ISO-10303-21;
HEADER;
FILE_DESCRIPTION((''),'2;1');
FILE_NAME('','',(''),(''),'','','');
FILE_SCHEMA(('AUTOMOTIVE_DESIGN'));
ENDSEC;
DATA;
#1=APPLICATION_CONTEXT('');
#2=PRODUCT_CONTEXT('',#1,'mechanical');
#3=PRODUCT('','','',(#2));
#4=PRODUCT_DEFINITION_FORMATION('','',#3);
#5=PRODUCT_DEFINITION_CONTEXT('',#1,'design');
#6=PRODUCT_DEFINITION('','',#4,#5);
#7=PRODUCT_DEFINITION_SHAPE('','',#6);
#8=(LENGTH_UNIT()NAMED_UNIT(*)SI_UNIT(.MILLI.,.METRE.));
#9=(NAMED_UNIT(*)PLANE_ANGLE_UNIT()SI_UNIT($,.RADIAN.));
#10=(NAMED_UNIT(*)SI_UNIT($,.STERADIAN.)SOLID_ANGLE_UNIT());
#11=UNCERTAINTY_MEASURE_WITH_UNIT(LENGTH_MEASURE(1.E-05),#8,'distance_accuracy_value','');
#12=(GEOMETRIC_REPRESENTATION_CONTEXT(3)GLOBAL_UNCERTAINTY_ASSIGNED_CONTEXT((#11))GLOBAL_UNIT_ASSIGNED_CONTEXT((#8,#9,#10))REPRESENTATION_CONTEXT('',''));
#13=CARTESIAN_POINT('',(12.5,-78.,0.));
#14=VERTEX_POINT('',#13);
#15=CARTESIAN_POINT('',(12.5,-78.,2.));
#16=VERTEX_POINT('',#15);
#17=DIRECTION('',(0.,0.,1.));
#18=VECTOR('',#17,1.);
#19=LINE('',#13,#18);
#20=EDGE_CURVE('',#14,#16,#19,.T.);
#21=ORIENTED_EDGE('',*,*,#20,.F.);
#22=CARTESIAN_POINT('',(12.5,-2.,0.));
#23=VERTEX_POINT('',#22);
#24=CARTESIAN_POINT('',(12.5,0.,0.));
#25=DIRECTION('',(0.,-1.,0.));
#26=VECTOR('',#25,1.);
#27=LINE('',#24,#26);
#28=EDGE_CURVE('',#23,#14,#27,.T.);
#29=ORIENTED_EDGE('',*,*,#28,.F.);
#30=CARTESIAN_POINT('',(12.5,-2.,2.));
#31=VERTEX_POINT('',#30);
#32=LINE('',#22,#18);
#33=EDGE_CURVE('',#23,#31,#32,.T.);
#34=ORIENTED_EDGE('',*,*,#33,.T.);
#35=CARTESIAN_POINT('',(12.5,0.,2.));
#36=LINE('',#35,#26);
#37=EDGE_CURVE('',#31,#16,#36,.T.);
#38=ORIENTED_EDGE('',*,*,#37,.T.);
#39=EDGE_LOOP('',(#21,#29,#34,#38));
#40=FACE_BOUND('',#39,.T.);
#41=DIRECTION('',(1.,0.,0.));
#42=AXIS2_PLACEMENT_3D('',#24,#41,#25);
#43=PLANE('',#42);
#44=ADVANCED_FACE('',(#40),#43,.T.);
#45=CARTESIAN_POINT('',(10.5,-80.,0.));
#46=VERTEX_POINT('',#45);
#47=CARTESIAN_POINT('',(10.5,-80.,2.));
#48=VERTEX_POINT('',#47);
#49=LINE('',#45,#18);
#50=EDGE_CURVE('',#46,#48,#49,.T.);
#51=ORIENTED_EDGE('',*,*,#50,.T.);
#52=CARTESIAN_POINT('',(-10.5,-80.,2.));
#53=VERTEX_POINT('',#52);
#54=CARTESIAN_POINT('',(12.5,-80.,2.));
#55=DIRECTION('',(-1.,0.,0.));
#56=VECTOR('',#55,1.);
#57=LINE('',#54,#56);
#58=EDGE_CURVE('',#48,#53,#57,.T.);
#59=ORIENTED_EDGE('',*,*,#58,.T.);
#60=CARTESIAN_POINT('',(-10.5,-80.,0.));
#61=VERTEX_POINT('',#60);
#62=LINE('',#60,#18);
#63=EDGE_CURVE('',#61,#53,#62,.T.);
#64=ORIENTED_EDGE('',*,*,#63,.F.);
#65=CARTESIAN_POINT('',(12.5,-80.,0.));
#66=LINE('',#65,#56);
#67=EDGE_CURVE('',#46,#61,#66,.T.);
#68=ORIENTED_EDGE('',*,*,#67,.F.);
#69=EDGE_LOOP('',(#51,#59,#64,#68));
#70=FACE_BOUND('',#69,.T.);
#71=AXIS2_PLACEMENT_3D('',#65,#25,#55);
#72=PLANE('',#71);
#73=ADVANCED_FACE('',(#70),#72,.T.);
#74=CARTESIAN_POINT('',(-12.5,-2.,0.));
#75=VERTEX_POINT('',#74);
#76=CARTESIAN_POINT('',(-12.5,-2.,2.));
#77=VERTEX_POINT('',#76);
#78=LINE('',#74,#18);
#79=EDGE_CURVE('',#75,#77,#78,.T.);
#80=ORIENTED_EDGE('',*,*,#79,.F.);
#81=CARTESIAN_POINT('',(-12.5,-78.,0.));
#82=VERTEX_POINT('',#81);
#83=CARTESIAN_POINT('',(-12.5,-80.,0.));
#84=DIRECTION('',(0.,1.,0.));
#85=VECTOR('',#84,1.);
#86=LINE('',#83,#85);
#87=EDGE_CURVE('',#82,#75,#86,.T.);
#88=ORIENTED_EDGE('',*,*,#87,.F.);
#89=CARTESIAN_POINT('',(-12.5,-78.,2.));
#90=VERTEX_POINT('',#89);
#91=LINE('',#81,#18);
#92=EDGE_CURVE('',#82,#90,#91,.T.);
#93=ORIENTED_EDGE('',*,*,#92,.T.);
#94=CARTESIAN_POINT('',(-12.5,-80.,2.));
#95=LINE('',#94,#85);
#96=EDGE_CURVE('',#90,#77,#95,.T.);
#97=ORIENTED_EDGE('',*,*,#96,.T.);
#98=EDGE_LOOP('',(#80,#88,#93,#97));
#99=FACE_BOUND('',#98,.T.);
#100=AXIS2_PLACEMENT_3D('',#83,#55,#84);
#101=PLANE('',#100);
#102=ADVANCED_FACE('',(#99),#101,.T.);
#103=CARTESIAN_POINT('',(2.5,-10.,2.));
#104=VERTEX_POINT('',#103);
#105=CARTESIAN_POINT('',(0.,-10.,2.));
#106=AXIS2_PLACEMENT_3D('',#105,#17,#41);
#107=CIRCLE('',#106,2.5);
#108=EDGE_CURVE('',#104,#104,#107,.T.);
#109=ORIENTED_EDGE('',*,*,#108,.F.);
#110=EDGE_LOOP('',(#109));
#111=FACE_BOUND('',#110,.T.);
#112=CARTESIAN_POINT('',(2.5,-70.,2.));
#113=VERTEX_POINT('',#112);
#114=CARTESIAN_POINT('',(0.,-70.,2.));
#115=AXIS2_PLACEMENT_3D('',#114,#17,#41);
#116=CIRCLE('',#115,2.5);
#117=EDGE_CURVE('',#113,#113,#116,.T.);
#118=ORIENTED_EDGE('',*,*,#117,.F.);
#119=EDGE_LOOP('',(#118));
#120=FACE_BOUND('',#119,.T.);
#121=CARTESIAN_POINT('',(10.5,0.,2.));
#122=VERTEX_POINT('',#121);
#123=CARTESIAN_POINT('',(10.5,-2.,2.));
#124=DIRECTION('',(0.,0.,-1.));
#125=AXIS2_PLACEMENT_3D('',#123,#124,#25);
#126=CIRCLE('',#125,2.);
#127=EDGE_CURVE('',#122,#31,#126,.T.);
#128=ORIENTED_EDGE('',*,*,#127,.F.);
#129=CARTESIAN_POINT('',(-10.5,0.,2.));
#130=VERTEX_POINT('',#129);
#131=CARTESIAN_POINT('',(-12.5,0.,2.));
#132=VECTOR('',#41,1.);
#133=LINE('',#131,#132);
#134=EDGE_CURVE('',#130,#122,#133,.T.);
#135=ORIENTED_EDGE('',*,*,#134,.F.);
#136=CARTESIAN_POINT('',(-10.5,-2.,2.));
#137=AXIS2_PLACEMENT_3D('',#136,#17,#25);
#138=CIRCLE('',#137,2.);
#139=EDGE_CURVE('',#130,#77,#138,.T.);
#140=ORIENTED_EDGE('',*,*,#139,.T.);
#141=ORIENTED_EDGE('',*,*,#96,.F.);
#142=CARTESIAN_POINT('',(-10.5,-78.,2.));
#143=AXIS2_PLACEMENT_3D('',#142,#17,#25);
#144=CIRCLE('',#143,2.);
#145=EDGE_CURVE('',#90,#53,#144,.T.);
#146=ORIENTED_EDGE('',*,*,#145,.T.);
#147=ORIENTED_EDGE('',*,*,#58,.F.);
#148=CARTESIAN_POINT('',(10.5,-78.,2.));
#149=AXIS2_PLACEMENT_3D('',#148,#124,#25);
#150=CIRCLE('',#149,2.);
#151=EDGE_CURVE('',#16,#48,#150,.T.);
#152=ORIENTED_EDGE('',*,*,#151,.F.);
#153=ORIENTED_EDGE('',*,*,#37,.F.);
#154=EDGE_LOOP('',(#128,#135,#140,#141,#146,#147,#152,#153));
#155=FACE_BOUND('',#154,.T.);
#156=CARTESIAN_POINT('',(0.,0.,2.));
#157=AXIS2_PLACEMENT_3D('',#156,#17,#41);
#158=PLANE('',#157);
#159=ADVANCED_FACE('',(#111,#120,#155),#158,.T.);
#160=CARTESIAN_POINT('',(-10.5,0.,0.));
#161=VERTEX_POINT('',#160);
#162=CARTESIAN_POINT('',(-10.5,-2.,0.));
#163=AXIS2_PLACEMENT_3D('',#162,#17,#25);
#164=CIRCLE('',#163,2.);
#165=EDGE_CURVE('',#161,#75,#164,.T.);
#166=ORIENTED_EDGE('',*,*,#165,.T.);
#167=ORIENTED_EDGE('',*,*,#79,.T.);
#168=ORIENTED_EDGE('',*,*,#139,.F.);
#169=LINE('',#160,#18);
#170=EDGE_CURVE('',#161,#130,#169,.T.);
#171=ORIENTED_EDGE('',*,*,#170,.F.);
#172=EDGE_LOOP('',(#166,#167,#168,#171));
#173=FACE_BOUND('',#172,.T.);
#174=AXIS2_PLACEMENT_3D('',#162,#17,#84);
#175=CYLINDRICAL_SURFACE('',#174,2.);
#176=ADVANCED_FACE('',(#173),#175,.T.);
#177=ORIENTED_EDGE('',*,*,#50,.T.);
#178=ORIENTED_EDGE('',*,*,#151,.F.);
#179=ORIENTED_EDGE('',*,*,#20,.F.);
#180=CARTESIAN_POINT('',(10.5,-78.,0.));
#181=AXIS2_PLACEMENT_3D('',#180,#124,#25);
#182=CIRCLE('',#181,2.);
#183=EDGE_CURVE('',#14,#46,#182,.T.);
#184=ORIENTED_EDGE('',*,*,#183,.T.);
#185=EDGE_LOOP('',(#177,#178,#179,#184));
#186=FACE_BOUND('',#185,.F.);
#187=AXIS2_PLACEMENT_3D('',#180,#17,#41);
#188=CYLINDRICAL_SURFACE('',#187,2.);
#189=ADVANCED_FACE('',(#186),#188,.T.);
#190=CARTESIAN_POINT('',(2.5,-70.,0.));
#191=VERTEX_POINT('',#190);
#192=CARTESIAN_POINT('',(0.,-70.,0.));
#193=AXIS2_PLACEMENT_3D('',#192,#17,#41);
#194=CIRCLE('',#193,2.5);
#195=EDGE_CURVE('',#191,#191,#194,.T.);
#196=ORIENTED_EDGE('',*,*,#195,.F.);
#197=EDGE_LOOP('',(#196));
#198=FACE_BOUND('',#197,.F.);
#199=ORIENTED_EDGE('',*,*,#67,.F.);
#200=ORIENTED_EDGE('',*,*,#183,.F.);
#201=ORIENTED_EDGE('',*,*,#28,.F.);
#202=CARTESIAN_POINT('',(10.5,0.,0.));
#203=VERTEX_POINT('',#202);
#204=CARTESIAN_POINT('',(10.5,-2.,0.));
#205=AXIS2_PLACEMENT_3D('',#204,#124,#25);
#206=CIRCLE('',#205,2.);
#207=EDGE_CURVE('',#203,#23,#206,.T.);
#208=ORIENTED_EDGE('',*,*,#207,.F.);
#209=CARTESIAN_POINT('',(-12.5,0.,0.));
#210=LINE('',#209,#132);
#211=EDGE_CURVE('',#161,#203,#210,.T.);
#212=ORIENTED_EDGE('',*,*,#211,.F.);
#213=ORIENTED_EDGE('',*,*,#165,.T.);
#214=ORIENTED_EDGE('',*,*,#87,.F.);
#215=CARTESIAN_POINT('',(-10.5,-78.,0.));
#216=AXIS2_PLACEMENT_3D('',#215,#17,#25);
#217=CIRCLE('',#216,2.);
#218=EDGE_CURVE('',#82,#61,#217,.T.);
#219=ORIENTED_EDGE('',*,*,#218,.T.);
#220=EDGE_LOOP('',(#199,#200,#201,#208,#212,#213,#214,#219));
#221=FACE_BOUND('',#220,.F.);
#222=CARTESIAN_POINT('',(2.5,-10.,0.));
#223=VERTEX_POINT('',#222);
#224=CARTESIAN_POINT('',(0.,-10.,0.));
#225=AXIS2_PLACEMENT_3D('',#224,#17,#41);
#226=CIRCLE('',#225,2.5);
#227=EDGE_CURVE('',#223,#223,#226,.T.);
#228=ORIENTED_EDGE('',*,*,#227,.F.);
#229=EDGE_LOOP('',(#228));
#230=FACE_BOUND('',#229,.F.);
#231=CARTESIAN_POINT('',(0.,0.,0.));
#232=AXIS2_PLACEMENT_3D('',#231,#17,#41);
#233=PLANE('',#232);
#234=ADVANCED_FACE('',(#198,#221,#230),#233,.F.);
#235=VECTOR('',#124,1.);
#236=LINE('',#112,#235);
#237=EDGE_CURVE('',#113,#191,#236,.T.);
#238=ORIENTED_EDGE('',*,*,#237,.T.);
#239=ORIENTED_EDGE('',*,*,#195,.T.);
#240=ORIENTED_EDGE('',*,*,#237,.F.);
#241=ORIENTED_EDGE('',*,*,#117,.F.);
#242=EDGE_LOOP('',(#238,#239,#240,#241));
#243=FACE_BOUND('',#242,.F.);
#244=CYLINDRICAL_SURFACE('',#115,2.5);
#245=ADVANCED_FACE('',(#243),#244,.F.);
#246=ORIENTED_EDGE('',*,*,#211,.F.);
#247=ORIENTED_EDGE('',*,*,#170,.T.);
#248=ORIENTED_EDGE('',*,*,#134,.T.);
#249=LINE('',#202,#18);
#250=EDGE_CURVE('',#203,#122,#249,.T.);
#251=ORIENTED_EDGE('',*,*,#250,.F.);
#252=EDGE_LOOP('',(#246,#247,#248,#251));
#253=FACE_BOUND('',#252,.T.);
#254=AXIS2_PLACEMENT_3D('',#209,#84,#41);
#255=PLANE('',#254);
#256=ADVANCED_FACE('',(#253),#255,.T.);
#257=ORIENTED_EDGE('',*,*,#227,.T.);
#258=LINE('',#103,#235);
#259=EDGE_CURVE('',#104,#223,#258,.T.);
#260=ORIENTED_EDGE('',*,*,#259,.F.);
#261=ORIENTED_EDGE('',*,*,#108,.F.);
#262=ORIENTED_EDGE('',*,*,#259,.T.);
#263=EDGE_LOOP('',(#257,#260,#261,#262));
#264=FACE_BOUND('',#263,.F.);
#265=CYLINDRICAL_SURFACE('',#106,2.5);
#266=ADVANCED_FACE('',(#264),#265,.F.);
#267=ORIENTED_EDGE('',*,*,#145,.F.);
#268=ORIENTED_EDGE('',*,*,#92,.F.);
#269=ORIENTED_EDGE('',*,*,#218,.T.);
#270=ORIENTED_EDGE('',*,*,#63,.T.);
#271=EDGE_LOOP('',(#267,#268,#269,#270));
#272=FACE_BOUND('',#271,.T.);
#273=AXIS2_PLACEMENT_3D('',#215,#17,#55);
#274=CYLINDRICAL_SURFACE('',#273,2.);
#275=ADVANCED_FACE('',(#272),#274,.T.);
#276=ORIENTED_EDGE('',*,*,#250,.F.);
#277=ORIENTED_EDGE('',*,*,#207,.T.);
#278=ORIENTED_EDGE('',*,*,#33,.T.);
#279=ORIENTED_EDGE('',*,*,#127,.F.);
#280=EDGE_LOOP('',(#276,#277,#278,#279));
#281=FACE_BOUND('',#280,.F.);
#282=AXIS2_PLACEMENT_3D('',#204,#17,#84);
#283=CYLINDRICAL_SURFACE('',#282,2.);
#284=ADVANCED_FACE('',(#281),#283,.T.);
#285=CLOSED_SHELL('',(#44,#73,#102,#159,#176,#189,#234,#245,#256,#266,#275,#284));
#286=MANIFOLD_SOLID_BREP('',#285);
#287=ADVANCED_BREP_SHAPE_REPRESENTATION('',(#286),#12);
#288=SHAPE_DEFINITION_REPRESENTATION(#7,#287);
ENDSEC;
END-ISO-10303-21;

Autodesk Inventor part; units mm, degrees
ref_plane "YZ Plane" through (0, 0, 0) normal (1, 0, 0) x (0, 1, 0)
ref_plane "XZ Plane" through (0, 0, 0) normal (0, 1, 0) x (-1, 0, 0)
ref_plane "XY Plane" through (0, 0, 0) normal (0, 0, 1) x (1, 0, 0)
sketch "Sketch1" plane through (0, 0, 0) normal (0, 0, 1) x (1, 0, 0)
  line L0 (-12.5, 0) -> (12.5, 0)
  line L1 (12.5, 0) -> (12.5, -80)
  line L2 (12.5, -80) -> (-12.5, -80)
  line L3 (-12.5, -80) -> (-12.5, 0)
  point P0 (0, 0)
  point P1 (0, 0)
  dimension "d0" = 25
  dimension "d1" = 80
extrude "Plate1" add sketch "Sketch1" along normal blind 2
sketch "Sketch8" plane through (0, 0, 2) normal (0, 0, 1) x (1, 0, 0)
  line L0 (-12.5, -80) -> (-12.5, 0) construction
  line L1 (12.5, -80) -> (-12.5, -80) projected
  line L2 (12.5, 0) -> (12.5, -80) projected
  line L3 (-12.5, 0) -> (12.5, 0) projected
  circle A0 centre (0, -70) radius 2.5
  circle A1 centre (0, -10) radius 2.5
  line L4 (-12.5, 0) -> (-12.5, -80) construction
  line L5 (-12.5, -40) -> (12.5, -40) construction
  point P0 (0, 0)
  dimension "d34" = 5
  dimension "d35" = 10
extrude "Extrusion3" cut sketch "Sketch8" against normal through all
fillet "Fillet2" radius 2 4 edges at (-12.5, -80, 1) (12.5, -80, 1) (12.5, 0, 1) (-12.5, 0, 1)
equation "\"d2\" = Thickness"
equation "\"BendReliefWidth\" = Thickness"
equation "\"BendReliefDepth\" = 0.5 * Thickness"
equation "\"CornerReliefSize\" = 4 * Thickness"
equation "\"MinimumRemnant\" = 2 * Thickness"
equation "\"TransitionRadius\" = BendRadius"
equation "\"JacobiRadiusSize\" = BendRadius"
equation "\"GapSize\" = Thickness"
equation "\"Thickness\" = 2"
equation "\"BendRadius\" = 2.75"
properties part number "NDM 11.025 bracket 25" material "Stainless Steel"
